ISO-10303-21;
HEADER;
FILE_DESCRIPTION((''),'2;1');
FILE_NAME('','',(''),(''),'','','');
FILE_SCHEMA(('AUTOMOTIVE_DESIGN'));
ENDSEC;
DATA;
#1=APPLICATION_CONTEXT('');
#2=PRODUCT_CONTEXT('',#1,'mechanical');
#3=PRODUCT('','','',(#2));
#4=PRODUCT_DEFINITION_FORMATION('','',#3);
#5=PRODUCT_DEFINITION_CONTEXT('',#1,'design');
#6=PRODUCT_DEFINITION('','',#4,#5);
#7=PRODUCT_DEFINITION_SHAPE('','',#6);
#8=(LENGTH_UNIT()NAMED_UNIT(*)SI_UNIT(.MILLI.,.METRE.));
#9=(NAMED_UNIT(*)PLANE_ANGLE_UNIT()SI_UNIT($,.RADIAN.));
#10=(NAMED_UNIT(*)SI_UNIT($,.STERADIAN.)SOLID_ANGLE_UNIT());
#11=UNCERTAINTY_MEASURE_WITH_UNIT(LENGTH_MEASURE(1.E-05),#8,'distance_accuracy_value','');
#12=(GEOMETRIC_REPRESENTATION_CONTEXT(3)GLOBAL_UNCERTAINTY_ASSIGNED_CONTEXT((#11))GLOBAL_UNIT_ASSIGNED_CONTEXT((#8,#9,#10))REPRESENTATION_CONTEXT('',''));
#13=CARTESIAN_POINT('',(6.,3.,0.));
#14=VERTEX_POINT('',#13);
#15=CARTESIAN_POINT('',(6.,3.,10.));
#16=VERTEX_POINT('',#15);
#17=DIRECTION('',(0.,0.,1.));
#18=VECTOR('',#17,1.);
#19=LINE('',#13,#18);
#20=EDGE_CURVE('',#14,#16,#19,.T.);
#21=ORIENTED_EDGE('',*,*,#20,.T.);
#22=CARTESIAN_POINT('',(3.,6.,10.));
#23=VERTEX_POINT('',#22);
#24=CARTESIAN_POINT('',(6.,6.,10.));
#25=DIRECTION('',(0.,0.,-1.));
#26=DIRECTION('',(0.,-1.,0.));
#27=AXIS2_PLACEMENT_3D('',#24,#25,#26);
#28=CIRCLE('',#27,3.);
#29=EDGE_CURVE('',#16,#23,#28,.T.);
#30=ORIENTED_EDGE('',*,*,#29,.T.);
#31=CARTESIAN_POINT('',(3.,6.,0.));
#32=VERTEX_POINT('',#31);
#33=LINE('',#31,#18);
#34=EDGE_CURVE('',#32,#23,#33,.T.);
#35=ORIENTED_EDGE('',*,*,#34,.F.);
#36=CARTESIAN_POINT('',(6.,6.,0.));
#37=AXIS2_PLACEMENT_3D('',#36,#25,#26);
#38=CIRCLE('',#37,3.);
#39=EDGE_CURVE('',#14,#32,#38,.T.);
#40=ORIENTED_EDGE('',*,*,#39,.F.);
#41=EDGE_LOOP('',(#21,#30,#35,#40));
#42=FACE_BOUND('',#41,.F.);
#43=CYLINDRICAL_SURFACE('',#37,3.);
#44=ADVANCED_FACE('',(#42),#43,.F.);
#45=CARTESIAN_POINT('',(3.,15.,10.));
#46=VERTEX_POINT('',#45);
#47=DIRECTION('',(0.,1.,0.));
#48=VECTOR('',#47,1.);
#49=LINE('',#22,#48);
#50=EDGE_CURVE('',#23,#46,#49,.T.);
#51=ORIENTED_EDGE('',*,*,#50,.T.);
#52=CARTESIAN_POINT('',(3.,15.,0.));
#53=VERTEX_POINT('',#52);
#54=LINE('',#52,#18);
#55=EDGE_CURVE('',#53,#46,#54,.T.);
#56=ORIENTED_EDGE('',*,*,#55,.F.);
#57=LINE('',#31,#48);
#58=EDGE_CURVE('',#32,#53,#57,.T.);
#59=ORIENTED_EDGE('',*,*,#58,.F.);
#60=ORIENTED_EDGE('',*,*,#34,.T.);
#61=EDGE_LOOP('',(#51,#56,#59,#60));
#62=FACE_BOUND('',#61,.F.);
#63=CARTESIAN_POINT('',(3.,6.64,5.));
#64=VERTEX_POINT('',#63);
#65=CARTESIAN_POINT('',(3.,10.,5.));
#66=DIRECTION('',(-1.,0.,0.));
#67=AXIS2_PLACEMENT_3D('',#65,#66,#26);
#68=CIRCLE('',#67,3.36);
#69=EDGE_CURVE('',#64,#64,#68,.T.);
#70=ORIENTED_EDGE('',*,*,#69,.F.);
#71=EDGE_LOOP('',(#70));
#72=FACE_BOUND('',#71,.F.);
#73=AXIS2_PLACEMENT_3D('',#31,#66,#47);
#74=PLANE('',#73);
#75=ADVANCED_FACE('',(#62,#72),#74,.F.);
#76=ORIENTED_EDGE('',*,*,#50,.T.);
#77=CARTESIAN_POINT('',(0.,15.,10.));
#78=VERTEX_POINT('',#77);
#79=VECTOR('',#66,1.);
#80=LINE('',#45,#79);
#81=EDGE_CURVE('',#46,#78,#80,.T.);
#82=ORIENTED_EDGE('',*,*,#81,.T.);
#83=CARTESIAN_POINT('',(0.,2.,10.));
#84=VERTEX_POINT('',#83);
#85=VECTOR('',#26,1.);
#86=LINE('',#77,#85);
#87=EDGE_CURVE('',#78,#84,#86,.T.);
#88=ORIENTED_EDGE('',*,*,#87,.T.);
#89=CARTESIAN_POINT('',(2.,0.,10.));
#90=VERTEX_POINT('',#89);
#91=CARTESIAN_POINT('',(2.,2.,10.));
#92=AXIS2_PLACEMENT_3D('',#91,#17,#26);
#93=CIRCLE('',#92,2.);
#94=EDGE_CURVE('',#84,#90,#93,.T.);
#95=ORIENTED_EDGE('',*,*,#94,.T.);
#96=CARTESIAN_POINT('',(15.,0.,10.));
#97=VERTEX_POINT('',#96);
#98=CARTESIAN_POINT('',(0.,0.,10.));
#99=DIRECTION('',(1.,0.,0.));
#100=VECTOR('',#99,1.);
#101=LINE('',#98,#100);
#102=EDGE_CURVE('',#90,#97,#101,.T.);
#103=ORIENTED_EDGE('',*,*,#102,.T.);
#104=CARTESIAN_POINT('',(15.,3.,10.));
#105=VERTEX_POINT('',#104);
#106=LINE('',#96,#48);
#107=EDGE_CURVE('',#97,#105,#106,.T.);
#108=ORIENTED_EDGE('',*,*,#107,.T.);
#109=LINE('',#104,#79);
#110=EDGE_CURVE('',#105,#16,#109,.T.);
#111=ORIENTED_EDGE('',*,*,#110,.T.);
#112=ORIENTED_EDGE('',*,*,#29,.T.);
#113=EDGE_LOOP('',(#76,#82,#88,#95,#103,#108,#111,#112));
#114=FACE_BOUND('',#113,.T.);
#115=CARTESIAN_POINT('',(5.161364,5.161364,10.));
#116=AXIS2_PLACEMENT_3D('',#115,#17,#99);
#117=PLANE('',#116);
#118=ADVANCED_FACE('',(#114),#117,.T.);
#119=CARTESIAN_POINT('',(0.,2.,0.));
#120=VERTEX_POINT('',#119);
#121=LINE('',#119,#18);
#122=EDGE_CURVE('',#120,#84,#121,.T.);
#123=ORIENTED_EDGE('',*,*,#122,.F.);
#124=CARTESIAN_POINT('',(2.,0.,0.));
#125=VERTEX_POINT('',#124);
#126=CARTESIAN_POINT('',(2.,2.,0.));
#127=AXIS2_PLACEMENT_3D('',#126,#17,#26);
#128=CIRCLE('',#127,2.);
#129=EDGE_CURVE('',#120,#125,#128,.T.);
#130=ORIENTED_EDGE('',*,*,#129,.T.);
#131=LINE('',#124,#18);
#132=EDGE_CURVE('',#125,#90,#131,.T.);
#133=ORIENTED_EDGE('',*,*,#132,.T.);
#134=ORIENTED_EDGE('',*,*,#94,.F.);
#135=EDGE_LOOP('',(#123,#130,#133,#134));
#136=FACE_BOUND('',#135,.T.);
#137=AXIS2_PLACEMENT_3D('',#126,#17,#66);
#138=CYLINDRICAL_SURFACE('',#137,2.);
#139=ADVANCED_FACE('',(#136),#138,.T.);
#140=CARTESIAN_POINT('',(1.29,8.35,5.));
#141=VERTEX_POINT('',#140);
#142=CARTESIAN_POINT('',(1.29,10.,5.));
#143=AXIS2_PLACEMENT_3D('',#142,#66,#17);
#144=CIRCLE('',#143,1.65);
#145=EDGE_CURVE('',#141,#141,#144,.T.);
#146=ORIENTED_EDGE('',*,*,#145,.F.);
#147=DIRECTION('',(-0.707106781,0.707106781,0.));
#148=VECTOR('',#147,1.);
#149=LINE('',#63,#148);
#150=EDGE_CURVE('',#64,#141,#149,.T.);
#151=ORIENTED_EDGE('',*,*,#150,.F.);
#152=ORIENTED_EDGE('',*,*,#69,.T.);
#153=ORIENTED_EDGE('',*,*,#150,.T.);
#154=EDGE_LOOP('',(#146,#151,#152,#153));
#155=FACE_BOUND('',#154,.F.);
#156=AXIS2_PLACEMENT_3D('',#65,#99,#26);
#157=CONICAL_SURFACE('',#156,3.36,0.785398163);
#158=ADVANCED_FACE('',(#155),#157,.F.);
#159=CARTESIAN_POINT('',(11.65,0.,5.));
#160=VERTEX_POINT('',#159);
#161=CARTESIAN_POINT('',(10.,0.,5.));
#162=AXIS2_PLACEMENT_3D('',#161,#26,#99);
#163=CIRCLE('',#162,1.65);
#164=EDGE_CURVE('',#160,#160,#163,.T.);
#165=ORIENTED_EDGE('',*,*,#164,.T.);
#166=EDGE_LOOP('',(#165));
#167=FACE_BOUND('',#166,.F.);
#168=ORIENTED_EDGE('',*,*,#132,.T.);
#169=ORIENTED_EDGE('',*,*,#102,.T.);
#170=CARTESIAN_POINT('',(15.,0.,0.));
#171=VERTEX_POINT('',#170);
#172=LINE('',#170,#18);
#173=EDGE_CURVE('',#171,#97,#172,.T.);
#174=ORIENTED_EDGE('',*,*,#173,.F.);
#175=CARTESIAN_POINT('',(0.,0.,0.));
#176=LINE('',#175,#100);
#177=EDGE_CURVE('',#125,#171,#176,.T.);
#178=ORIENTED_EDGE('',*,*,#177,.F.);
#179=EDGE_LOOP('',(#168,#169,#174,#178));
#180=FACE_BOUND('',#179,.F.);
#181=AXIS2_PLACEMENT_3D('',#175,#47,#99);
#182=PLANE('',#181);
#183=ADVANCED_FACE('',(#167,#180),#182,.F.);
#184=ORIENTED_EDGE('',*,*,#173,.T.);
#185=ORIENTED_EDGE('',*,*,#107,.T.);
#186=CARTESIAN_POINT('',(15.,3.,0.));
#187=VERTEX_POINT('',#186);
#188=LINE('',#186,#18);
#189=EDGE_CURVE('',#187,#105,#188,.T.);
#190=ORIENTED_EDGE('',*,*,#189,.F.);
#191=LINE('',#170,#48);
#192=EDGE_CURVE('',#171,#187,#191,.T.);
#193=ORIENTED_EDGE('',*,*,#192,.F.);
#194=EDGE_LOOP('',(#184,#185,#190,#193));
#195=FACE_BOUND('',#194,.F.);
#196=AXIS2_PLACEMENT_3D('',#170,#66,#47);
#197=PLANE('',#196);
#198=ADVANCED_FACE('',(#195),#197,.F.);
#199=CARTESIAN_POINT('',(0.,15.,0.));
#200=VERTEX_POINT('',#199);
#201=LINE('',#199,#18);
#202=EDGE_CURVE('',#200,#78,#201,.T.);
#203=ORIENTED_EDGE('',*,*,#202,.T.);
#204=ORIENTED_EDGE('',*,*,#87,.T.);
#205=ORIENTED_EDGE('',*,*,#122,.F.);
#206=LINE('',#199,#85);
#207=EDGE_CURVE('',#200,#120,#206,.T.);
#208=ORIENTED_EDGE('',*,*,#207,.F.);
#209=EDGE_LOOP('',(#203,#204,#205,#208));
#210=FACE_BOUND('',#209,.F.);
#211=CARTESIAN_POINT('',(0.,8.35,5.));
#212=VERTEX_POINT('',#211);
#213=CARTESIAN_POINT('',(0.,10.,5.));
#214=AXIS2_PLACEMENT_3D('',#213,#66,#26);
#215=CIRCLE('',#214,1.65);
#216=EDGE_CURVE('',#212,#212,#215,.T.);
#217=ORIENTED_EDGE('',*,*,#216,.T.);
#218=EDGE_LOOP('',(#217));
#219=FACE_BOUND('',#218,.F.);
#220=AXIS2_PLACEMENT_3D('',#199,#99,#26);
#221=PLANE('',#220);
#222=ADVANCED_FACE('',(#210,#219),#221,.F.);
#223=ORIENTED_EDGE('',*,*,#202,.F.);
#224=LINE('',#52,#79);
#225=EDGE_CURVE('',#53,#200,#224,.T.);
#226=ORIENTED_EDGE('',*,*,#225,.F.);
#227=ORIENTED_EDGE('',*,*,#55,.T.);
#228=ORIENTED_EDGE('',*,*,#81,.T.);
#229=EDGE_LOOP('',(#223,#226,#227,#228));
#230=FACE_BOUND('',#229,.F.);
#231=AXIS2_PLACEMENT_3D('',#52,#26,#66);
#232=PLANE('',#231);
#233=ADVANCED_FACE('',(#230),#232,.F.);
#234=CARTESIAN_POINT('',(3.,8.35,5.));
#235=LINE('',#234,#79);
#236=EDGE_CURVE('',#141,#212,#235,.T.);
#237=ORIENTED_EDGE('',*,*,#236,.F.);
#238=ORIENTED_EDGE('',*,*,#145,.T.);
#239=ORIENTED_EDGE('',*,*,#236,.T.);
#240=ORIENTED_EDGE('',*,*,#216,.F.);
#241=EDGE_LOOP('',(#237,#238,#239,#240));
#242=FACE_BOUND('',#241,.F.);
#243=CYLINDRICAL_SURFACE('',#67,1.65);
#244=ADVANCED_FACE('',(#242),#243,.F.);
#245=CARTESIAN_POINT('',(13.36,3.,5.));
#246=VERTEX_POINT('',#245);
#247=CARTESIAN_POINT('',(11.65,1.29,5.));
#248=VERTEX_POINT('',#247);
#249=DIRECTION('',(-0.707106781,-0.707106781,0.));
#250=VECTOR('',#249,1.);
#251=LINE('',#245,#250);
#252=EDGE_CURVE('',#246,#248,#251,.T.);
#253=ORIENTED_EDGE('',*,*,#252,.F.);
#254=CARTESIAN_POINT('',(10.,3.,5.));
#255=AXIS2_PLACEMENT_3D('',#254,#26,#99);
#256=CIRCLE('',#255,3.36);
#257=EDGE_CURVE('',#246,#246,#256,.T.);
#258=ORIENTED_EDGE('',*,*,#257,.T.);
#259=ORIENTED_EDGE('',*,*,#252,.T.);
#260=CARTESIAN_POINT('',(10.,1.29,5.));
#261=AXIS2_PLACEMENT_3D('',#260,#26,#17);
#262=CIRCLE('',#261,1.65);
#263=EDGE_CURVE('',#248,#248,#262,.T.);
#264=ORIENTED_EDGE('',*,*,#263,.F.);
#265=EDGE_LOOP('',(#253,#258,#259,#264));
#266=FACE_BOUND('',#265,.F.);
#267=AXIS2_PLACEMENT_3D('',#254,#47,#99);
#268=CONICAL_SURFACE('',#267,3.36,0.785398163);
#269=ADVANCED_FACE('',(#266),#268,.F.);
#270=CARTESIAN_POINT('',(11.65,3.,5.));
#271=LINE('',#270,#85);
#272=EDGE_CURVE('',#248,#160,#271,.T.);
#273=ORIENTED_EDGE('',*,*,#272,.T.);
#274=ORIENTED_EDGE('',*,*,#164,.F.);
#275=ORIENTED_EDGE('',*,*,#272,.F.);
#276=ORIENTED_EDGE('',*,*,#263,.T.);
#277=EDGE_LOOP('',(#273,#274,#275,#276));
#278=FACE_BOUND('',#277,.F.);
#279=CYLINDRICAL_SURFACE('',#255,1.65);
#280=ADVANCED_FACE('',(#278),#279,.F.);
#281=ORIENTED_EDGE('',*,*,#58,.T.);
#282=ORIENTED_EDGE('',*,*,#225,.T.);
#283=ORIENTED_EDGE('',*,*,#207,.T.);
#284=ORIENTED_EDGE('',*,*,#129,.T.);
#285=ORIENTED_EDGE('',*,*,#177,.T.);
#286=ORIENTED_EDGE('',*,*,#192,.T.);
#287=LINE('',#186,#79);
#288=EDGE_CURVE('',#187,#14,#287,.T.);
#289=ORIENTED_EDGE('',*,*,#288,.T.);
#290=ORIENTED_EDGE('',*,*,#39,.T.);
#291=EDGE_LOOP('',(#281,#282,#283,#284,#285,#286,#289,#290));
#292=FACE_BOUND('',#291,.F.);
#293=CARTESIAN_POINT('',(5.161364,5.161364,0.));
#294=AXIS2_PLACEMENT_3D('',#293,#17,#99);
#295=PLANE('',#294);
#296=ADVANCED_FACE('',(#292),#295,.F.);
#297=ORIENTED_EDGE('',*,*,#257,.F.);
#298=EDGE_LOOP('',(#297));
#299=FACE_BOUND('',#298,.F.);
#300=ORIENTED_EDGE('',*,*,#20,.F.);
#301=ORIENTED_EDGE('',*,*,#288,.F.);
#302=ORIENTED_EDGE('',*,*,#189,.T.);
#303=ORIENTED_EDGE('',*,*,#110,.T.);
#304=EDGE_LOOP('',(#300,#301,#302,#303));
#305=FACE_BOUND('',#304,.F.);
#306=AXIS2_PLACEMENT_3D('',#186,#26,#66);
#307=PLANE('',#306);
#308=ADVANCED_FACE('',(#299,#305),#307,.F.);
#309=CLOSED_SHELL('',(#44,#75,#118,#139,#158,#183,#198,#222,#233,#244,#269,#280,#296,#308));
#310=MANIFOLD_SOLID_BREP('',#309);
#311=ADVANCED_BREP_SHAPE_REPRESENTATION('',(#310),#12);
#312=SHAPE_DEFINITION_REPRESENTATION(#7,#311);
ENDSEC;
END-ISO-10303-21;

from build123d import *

# Parameters (mm, degrees)
F1_DEPTH       = 10
F3_D           = 3.3
F3_CSINK_D     = 6.72
F3_CSINK_ANGLE = 90
F5_D           = 3.3
F5_CSINK_D     = 6.72
F5_CSINK_ANGLE = 90
F6_R           = 2


with BuildPart() as f1:
    # F0 (on Top) → F1 (new body)
    with BuildSketch(Plane.XY):
        with BuildLine():
            Line((0, 15), (0, 0))
            Line((0, 0), (15, 0))
            Line((15, 0), (15, 3))
            Line((15, 3), (6, 3))
            ThreePointArc((6, 3), (3.8786796564, 3.8786796564), (3, 6))
            Line((3, 6), (3, 15))
            Line((3, 15), (0, 15))
        make_face()
    extrude(amount=F1_DEPTH)

    # F3 (through all)
    with Locations(Plane.YZ.offset(3)):
        with Locations((10, 5)):
            CounterSinkHole(F3_D / 2, F3_CSINK_D / 2, counter_sink_angle=F3_CSINK_ANGLE)

    # F5 (through all)
    with Locations(Plane(origin=(0, 3, 0), x_dir=(-1, 0, 0), z_dir=(0, 1, 0))):
        with Locations((-10, 5)):
            CounterSinkHole(F5_D / 2, F5_CSINK_D / 2, counter_sink_angle=F5_CSINK_ANGLE)

    # F6
    f6_edges = [f1.edges().sort_by_distance(p)[0] for p in [
        (0, 0, 5),
    ]]
    fillet(f6_edges, radius=F6_R)


solid = f1.part
